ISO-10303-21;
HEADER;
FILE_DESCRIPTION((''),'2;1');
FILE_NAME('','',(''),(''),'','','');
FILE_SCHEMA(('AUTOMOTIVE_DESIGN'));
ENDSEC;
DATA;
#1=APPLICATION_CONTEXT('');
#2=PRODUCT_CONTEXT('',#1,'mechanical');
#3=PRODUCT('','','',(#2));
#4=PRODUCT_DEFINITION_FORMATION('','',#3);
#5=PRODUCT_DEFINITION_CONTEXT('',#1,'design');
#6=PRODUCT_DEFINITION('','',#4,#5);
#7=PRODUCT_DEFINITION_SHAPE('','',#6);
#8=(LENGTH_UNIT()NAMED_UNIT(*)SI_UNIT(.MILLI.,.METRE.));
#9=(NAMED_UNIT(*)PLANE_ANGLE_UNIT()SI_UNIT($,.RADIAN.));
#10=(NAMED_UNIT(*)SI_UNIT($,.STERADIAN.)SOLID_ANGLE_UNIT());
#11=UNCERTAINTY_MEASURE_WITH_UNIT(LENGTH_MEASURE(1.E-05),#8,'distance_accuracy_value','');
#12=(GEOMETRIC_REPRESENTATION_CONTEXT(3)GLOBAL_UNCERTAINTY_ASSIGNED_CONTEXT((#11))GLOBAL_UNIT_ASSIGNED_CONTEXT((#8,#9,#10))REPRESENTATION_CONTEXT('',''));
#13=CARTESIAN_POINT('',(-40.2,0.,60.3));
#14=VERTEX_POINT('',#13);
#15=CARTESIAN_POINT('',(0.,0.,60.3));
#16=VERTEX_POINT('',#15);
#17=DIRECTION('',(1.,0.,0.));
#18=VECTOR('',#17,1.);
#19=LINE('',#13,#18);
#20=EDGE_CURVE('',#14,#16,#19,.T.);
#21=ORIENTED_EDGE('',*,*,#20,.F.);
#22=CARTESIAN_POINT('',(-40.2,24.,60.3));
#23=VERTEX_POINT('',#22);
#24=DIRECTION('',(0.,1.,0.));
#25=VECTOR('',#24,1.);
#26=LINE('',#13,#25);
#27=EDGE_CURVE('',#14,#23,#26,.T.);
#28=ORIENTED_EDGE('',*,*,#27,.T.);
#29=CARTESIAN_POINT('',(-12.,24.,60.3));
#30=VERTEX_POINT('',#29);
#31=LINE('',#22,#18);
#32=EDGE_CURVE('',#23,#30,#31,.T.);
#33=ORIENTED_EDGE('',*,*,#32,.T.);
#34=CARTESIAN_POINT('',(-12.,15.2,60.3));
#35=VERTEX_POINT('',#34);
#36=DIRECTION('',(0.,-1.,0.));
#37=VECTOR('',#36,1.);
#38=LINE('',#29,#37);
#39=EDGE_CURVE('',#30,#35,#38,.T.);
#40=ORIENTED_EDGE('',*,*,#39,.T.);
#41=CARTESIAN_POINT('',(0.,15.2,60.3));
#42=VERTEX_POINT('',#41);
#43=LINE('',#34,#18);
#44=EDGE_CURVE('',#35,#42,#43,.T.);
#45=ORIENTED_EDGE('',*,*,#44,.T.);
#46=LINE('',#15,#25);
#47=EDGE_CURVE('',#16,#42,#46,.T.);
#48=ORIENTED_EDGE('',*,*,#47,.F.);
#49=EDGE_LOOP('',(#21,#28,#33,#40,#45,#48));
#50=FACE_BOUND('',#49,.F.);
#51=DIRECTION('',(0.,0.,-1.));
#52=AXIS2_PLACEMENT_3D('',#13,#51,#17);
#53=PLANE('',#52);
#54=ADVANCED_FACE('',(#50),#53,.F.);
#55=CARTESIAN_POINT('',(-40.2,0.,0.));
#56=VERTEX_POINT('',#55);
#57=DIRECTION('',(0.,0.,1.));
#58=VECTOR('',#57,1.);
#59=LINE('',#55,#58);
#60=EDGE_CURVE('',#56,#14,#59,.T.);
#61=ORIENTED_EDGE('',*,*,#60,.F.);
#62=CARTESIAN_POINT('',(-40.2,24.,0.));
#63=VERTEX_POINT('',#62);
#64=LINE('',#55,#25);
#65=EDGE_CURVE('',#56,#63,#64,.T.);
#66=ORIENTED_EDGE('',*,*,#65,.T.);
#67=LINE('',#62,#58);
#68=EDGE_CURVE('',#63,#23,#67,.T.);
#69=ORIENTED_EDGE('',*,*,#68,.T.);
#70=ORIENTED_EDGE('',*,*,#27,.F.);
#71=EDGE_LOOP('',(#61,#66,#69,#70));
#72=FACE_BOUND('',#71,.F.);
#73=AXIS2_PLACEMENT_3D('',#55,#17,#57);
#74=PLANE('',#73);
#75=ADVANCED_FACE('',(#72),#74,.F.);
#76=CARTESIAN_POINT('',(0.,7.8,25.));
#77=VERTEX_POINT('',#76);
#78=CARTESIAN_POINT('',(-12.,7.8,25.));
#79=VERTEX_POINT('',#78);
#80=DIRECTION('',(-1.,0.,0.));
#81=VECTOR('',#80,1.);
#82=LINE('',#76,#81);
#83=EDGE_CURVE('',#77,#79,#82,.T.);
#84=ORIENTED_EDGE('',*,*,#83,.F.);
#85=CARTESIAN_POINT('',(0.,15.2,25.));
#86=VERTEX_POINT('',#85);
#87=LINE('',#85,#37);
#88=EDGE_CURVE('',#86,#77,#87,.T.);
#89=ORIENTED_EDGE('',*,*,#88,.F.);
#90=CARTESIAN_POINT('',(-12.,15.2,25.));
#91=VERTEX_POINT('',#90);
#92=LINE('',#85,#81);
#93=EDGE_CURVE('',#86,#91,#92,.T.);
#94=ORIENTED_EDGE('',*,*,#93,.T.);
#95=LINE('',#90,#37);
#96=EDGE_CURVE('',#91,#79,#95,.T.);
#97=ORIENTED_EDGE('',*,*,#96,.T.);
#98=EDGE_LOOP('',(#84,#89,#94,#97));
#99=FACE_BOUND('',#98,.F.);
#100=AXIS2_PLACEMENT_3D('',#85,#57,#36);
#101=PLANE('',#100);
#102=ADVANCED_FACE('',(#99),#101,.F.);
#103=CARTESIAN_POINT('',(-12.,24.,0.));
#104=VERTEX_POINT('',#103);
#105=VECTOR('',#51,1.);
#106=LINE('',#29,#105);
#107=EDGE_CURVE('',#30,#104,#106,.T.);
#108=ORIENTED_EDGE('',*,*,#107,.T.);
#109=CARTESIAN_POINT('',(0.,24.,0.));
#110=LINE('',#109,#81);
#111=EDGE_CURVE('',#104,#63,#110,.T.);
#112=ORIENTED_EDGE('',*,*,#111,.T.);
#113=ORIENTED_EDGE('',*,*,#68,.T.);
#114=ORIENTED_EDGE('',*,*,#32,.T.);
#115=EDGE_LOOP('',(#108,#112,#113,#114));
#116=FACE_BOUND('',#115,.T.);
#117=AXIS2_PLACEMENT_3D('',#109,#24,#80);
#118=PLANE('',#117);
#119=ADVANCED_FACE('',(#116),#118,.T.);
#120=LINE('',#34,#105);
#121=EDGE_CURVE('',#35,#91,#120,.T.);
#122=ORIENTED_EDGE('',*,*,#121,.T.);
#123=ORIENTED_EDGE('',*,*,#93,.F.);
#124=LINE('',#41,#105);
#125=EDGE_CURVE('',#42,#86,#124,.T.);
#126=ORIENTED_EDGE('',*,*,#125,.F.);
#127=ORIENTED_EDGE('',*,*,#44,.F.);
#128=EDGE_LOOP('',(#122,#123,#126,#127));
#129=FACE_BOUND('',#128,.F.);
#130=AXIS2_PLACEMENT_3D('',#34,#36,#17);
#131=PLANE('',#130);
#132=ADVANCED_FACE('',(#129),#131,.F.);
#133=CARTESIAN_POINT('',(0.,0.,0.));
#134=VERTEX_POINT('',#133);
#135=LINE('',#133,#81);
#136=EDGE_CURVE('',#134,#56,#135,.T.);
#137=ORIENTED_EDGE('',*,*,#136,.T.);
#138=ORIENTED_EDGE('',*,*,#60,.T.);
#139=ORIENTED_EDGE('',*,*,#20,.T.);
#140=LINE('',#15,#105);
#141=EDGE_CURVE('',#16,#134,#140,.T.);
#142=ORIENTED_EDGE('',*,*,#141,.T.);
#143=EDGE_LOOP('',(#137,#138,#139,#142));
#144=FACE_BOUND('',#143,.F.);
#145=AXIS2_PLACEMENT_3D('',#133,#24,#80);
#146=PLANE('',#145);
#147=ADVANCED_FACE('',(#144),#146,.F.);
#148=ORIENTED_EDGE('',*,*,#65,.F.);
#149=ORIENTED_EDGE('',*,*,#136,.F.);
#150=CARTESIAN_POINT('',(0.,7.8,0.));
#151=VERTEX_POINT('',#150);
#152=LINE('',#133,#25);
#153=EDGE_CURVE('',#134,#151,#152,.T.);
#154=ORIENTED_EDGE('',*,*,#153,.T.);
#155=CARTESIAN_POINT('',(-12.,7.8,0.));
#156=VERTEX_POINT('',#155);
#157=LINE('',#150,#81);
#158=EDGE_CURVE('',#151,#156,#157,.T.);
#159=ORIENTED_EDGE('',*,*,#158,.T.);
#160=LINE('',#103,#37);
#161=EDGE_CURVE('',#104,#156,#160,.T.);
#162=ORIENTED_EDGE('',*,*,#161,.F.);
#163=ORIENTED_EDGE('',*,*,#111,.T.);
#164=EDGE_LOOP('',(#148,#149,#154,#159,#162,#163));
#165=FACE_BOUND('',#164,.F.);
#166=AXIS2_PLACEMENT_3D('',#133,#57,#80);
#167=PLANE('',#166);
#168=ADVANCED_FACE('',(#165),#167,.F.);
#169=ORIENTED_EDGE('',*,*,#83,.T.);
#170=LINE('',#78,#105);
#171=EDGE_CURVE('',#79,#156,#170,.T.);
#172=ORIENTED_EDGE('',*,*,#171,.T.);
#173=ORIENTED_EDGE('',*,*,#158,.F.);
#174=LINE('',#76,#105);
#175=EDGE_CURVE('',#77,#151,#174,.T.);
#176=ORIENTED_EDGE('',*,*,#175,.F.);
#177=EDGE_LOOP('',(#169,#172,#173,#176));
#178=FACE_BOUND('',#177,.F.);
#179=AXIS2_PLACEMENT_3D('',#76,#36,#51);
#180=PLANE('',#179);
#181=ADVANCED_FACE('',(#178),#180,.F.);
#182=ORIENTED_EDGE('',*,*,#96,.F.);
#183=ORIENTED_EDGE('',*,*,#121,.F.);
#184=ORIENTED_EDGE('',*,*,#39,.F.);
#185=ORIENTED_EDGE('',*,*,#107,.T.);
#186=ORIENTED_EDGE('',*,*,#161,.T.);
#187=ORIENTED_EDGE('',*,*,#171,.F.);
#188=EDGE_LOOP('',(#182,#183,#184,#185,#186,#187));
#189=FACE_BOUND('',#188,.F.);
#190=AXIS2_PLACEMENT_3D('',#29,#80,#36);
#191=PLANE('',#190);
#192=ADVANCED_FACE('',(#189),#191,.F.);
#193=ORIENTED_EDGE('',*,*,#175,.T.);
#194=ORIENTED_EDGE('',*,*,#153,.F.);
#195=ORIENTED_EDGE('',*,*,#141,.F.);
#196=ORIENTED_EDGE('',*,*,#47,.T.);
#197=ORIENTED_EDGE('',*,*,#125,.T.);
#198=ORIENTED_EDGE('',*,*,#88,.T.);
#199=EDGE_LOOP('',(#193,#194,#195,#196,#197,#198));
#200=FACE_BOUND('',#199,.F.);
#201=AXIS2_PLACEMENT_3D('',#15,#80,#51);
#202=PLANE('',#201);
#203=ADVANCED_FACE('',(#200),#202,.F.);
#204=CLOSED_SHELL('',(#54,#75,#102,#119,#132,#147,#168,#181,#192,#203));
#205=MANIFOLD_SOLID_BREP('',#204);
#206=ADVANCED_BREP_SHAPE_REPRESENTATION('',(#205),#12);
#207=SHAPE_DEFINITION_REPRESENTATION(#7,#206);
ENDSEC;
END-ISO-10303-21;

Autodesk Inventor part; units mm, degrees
ref_plane "YZ Plane" through (0, 0, 0) normal (1, 0, 0) x (0, 1, 0)
ref_plane "XZ Plane" through (0, 0, 0) normal (0, 1, 0) x (-1, 0, 0)
ref_plane "XY Plane" through (0, 0, 0) normal (0, 0, 1) x (1, 0, 0)
sketch "Sketch1" plane through (0, 0, 0) normal (0, 1, 0) x (-1, 0, 0)
  line L0 (0, 0) -> (40.2, 0)
  line L1 (40.2, 0) -> (40.2, 60.3)
  line L2 (40.2, 60.3) -> (0, 60.3)
  line L3 (0, 60.3) -> (0, 0)
  dimension "d0" = 60.3
  dimension "d1" = 40.2
extrude "Extrusion1" add sketch "Sketch1" along normal blind 24
sketch "Sketch2" plane through (-40.2, 0, 60.3) normal (0, 0, 1) x (1, 0, 0)
  line L0 (0, 0) -> (40.2, 0) projected
  line L1 (40.2, 0) -> (40.2, 24) projected
  line L2 (0, 24) -> (40.2, 24) projected
  line L3 (0, 0) -> (0, 24) projected
  line L4 (40.2, 24) -> (28.2, 24)
  line L5 (28.2, 24) -> (28.2, 15.2)
  line L6 (28.2, 15.2) -> (40.2, 15.2)
  line L7 (40.2, 15.2) -> (40.2, 24)
  point P0 (40.2, 0)
  point P1 (28.2, 24)
  dimension "d4" = 12
  dimension "d5" = 8.8
extrude "Extrusion2" cut sketch "Sketch2" against normal through all contours L6 L5 L2 L1
sketch "Sketch3" plane through (0, 0, 60.3) normal (1, 0, 0) x (0, 0, -1)
  line L0 (60.3, 15.2) -> (0, 15.2) projected
  line L1 (0, 0) -> (0, 15.2) projected
  line L2 (0, 0) -> (60.3, 0) projected
  line L3 (60.3, 0) -> (60.3, 15.2) projected
  line L4 (60.3, 15.2) -> (35.3, 15.2)
  line L5 (35.3, 15.2) -> (35.3, 7.8)
  line L6 (35.3, 7.8) -> (60.3, 7.8)
  line L7 (60.3, 7.8) -> (60.3, 15.2)
  dimension "d8" = 25
  dimension "d9" = 7.4
extrude "Extrusion3" cut sketch "Sketch3" against normal up to surface (12 mm away) contours L3 L6 L5 L0
properties part number "New Board"
